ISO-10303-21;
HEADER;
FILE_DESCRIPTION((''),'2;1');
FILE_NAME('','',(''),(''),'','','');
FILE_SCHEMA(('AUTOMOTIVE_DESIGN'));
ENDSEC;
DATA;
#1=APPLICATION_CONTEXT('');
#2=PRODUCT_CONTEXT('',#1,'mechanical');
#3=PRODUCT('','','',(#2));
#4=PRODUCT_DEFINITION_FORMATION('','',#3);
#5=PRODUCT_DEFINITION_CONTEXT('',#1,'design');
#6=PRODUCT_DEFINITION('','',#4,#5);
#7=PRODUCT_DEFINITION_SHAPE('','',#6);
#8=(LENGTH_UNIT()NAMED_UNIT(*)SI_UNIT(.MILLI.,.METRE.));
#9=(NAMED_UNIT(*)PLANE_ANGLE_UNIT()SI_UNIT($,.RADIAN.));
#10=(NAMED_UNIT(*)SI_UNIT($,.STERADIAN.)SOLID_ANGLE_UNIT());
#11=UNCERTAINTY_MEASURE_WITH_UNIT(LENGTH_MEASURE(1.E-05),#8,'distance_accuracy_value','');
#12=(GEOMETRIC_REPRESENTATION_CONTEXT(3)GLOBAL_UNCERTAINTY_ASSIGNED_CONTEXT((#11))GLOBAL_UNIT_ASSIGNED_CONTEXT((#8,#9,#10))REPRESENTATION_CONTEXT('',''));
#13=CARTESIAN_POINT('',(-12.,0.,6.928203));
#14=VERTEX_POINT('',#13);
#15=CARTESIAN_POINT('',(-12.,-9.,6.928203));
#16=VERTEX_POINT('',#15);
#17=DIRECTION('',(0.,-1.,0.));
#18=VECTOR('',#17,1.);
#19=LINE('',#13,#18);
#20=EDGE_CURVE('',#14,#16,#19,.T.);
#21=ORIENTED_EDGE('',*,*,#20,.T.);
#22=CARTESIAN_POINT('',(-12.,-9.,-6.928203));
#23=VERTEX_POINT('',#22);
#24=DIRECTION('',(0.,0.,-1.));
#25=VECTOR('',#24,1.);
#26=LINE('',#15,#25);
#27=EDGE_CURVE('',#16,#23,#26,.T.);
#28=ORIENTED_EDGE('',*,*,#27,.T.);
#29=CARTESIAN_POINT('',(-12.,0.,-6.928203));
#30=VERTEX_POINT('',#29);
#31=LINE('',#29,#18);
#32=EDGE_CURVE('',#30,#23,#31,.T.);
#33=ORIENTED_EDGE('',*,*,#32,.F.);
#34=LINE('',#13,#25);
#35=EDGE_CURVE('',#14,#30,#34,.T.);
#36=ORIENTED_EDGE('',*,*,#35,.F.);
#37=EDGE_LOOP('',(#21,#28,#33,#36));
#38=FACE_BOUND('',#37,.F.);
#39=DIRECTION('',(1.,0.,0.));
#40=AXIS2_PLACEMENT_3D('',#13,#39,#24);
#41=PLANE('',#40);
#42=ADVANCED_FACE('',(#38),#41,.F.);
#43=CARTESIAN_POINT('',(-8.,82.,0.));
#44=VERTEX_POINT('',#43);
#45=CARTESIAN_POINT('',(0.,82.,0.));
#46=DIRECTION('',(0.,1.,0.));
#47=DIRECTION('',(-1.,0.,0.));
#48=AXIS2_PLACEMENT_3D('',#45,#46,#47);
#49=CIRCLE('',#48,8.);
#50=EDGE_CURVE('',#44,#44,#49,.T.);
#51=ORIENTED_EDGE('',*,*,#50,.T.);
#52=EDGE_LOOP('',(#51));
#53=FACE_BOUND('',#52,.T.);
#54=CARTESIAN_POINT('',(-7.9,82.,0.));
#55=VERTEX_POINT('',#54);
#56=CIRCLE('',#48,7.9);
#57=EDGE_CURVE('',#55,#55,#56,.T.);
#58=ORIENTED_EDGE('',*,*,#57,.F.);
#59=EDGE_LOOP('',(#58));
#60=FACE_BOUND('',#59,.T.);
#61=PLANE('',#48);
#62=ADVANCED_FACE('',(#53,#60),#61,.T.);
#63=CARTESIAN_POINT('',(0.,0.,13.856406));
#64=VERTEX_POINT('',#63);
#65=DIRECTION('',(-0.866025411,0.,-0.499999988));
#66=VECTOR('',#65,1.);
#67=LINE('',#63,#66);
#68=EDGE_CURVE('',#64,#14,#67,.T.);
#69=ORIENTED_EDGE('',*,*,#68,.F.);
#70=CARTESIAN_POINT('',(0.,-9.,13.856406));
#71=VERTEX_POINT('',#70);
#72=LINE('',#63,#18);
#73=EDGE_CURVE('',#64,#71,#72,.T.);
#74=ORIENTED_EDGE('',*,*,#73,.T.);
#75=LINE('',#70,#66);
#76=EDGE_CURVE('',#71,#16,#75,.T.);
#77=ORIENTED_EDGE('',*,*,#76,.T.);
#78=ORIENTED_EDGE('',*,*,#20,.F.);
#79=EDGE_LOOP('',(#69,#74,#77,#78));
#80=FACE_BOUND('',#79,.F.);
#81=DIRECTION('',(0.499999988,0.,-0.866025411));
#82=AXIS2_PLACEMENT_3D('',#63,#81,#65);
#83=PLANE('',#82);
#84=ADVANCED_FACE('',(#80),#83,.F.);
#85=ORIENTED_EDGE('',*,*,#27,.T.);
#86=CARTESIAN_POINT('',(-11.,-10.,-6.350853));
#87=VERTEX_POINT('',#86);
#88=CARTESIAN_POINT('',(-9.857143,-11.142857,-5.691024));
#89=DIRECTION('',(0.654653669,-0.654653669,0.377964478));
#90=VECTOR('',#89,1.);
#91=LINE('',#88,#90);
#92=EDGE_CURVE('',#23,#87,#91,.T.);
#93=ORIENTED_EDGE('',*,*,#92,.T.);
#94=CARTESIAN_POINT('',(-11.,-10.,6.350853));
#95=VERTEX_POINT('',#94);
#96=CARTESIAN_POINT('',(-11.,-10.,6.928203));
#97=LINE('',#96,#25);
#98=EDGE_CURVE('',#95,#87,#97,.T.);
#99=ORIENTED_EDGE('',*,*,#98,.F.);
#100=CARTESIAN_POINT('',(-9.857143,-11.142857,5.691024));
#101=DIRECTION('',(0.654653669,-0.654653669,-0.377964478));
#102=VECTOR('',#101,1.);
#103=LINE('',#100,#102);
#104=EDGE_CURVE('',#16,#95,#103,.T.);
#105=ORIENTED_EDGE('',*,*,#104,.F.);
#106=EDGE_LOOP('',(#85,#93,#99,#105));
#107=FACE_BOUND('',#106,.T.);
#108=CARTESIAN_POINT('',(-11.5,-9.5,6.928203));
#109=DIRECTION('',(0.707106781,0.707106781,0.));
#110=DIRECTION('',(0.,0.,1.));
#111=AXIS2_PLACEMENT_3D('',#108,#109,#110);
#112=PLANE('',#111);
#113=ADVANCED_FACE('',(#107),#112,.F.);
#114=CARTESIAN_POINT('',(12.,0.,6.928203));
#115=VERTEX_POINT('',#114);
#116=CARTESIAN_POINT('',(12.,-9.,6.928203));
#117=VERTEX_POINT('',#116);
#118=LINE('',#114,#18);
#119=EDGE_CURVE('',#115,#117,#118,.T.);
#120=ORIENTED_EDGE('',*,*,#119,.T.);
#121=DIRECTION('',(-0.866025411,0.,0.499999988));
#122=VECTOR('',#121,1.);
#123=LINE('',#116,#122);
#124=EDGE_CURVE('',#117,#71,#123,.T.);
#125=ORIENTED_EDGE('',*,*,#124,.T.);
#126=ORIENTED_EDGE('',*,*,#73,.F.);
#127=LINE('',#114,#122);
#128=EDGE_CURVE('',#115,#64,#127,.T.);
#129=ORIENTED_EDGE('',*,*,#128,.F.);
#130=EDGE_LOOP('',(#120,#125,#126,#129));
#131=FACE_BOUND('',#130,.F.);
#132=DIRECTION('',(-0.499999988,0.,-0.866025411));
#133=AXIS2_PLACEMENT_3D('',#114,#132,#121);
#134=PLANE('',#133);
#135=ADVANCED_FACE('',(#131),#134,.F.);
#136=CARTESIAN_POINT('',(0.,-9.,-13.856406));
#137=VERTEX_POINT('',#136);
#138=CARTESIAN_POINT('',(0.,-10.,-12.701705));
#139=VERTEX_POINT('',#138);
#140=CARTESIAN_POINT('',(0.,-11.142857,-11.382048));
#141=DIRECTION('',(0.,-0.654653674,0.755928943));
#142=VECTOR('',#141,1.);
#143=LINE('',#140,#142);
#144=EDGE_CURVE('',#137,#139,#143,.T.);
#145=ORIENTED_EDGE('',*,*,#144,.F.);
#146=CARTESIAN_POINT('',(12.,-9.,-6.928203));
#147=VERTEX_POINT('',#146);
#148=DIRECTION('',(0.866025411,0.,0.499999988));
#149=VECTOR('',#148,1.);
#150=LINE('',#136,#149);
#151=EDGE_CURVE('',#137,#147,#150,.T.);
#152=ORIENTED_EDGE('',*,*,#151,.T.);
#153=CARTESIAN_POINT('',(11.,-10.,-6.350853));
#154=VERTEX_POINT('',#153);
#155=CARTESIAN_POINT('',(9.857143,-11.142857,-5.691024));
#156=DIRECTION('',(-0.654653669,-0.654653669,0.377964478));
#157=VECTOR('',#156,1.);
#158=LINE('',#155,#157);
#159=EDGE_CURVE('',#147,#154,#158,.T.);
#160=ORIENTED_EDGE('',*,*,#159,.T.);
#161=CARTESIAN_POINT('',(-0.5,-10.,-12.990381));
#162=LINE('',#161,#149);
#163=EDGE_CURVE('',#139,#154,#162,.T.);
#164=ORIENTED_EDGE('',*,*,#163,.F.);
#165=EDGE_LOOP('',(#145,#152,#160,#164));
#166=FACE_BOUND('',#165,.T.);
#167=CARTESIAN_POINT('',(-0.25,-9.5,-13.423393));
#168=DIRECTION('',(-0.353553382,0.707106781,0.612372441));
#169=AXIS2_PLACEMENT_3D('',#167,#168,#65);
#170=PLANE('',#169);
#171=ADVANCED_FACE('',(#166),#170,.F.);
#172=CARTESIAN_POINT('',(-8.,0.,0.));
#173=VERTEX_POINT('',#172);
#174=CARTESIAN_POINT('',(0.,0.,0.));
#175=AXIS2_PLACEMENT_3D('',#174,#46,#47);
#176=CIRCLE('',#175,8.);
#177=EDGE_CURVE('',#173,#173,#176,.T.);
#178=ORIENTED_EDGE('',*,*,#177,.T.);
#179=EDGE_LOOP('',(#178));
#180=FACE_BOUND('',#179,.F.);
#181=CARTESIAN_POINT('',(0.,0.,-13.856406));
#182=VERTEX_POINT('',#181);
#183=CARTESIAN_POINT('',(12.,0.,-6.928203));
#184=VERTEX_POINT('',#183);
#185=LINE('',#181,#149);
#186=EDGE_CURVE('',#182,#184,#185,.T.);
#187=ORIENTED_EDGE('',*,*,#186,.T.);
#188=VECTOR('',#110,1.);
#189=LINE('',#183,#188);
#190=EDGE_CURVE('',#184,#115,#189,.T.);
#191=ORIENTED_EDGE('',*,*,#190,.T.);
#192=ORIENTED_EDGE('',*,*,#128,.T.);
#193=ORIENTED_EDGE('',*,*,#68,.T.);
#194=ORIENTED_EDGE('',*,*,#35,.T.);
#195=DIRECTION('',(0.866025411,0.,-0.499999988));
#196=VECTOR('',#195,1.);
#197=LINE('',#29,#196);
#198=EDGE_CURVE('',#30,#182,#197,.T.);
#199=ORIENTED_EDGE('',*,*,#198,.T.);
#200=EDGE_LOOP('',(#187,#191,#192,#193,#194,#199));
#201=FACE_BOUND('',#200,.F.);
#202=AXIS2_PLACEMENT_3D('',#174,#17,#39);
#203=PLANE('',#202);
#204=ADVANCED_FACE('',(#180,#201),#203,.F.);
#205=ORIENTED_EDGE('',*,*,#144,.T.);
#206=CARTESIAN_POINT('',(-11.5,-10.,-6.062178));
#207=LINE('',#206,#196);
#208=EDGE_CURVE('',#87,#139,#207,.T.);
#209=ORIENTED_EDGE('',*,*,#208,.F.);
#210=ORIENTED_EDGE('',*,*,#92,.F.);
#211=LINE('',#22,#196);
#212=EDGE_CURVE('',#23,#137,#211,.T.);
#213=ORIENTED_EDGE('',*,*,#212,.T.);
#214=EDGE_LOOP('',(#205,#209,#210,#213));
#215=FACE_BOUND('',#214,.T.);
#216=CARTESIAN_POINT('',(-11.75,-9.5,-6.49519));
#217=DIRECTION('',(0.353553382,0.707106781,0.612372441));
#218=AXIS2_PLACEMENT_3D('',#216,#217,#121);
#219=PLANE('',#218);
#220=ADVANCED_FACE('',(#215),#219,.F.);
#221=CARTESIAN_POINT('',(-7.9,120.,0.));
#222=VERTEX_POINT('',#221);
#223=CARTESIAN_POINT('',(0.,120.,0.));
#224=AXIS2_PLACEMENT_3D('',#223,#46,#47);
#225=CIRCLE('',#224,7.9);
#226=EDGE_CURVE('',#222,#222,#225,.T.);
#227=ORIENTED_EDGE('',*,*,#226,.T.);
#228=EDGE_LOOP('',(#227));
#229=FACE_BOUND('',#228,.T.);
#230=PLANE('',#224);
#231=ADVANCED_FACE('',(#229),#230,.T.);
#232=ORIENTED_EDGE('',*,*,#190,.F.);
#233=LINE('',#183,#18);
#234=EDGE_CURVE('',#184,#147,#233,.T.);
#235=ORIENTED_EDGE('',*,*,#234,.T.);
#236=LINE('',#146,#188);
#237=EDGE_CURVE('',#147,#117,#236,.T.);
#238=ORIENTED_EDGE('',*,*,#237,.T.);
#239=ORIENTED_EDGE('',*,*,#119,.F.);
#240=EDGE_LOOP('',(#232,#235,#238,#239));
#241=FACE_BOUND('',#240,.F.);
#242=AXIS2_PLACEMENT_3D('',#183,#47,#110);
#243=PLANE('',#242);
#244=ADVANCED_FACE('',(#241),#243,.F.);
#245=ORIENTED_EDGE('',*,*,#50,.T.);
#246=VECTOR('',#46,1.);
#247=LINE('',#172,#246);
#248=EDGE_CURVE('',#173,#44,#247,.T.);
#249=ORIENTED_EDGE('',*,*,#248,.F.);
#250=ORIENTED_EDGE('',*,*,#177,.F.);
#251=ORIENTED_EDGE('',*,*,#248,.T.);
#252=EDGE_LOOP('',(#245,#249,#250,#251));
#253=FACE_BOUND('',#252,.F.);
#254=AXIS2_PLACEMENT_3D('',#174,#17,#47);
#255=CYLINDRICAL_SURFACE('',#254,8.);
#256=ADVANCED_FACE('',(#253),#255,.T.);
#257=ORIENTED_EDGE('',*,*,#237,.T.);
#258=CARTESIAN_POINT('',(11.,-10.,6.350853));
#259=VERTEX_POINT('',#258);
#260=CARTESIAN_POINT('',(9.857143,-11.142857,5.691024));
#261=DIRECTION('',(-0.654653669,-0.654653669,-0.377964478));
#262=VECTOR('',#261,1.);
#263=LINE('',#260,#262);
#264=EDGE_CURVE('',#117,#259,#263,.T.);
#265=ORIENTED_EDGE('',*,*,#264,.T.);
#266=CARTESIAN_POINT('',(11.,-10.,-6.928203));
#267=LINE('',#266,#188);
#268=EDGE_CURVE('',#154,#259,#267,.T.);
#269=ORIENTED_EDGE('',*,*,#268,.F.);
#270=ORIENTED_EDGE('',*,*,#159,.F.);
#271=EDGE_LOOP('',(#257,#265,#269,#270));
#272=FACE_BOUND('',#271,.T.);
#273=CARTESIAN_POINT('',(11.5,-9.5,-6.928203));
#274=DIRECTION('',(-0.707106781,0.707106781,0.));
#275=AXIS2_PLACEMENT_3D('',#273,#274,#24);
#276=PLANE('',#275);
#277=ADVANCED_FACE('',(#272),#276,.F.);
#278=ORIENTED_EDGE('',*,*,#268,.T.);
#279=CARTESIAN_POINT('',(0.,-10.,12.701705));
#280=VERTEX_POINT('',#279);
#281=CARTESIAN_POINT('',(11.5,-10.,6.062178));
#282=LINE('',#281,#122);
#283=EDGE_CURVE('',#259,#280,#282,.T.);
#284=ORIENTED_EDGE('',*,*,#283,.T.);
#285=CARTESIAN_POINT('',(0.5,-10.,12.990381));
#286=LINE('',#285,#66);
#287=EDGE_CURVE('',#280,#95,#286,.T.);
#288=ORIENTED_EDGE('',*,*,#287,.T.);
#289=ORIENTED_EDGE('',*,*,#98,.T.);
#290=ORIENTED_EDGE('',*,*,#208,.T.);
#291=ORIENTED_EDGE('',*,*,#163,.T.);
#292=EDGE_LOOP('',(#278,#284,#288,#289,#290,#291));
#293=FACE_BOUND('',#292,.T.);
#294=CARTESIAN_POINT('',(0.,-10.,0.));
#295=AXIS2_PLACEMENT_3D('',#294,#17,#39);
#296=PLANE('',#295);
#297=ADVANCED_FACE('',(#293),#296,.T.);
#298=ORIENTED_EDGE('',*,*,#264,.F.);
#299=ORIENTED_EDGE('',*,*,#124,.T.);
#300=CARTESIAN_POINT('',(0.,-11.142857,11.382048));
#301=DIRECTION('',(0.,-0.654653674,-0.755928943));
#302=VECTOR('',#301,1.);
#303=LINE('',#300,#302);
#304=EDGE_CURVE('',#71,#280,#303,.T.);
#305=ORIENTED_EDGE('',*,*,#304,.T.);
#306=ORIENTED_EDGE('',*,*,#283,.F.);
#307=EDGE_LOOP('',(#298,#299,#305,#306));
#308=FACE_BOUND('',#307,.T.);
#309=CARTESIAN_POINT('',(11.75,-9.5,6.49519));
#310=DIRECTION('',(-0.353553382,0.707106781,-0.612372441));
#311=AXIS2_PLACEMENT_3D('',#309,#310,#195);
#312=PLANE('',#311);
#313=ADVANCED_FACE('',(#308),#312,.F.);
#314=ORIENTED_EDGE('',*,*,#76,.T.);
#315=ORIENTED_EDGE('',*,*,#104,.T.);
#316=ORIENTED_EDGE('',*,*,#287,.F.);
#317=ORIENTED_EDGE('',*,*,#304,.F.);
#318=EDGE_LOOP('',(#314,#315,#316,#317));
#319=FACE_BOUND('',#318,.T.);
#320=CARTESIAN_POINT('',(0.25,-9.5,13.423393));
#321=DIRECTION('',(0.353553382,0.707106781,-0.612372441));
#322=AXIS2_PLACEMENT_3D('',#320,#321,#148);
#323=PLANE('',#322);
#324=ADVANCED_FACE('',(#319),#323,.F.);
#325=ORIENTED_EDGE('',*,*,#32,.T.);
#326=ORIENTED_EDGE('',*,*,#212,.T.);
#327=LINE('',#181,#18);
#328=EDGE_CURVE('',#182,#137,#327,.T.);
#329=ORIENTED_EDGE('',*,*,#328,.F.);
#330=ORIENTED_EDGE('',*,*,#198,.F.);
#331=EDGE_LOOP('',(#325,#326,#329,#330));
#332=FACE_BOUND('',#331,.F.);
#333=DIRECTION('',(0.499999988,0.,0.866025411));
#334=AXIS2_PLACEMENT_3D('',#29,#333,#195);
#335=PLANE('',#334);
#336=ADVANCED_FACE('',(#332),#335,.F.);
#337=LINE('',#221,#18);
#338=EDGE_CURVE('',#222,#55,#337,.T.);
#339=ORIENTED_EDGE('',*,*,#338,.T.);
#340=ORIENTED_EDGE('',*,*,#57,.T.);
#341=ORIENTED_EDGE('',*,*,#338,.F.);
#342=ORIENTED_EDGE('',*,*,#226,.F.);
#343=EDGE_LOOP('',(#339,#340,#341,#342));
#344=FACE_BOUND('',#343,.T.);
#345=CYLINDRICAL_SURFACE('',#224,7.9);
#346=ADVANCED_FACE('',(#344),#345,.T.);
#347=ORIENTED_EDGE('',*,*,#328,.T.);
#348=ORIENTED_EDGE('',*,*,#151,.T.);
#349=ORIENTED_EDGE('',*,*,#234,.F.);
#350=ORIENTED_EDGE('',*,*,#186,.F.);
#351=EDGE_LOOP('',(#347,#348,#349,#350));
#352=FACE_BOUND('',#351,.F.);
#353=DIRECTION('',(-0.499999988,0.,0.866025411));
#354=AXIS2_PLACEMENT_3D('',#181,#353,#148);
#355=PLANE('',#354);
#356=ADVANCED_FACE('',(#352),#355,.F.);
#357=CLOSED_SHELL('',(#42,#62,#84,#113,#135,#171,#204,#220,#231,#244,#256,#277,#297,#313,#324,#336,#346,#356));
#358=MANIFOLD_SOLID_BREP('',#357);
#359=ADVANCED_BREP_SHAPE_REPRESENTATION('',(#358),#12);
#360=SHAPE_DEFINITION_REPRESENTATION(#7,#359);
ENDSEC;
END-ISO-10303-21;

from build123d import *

# Parameters (mm, degrees)
F1_DEPTH = 10
F2_SIZE2 = 1
F2_SIZE  = 1
F3_R     = 8
F4_DEPTH = 120
F5_R     = 8
F5_R_2   = 7.9
F6_DEPTH = 38


with BuildPart() as f1:
    # F0 (on Front) → F1 (new body)
    with BuildSketch(Plane.XZ):
        Polygon((0, -13.856406), (12, -6.928203), (12, 6.928203), (0, 13.856406), (-12, 6.928203), (-12, -6.928203), align=None)
    extrude(amount=F1_DEPTH)

    # F2
    f2_edges = [f1.edges().sort_by_distance(p)[0] for p in [
        (6, -10, 10.392305),
        (-6, -10, 10.392305),
        (12, -10, 0),
        (6, -10, -10.392305),
        (-6, -10, -10.392305),
        (-12, -10, 0),
    ]]
    chamfer(f2_edges, length=F2_SIZE, length2=F2_SIZE2)

    # F3 (on face) → F4 (join)
    with BuildSketch(Plane(origin=(0, 0, 0), x_dir=(-1, 0, 0), z_dir=(0, 1, 0))):
        Circle(F3_R)
    extrude(amount=F4_DEPTH)

    # F5 (on face) → F6 (cut)
    with BuildSketch(Plane(origin=(0, 120, 0), x_dir=(-1, 0, 0), z_dir=(0, 1, 0))):
        Circle(F5_R)
        Circle(F5_R_2, mode=Mode.SUBTRACT)
    extrude(amount=-F6_DEPTH, mode=Mode.SUBTRACT)


solid = f1.part
